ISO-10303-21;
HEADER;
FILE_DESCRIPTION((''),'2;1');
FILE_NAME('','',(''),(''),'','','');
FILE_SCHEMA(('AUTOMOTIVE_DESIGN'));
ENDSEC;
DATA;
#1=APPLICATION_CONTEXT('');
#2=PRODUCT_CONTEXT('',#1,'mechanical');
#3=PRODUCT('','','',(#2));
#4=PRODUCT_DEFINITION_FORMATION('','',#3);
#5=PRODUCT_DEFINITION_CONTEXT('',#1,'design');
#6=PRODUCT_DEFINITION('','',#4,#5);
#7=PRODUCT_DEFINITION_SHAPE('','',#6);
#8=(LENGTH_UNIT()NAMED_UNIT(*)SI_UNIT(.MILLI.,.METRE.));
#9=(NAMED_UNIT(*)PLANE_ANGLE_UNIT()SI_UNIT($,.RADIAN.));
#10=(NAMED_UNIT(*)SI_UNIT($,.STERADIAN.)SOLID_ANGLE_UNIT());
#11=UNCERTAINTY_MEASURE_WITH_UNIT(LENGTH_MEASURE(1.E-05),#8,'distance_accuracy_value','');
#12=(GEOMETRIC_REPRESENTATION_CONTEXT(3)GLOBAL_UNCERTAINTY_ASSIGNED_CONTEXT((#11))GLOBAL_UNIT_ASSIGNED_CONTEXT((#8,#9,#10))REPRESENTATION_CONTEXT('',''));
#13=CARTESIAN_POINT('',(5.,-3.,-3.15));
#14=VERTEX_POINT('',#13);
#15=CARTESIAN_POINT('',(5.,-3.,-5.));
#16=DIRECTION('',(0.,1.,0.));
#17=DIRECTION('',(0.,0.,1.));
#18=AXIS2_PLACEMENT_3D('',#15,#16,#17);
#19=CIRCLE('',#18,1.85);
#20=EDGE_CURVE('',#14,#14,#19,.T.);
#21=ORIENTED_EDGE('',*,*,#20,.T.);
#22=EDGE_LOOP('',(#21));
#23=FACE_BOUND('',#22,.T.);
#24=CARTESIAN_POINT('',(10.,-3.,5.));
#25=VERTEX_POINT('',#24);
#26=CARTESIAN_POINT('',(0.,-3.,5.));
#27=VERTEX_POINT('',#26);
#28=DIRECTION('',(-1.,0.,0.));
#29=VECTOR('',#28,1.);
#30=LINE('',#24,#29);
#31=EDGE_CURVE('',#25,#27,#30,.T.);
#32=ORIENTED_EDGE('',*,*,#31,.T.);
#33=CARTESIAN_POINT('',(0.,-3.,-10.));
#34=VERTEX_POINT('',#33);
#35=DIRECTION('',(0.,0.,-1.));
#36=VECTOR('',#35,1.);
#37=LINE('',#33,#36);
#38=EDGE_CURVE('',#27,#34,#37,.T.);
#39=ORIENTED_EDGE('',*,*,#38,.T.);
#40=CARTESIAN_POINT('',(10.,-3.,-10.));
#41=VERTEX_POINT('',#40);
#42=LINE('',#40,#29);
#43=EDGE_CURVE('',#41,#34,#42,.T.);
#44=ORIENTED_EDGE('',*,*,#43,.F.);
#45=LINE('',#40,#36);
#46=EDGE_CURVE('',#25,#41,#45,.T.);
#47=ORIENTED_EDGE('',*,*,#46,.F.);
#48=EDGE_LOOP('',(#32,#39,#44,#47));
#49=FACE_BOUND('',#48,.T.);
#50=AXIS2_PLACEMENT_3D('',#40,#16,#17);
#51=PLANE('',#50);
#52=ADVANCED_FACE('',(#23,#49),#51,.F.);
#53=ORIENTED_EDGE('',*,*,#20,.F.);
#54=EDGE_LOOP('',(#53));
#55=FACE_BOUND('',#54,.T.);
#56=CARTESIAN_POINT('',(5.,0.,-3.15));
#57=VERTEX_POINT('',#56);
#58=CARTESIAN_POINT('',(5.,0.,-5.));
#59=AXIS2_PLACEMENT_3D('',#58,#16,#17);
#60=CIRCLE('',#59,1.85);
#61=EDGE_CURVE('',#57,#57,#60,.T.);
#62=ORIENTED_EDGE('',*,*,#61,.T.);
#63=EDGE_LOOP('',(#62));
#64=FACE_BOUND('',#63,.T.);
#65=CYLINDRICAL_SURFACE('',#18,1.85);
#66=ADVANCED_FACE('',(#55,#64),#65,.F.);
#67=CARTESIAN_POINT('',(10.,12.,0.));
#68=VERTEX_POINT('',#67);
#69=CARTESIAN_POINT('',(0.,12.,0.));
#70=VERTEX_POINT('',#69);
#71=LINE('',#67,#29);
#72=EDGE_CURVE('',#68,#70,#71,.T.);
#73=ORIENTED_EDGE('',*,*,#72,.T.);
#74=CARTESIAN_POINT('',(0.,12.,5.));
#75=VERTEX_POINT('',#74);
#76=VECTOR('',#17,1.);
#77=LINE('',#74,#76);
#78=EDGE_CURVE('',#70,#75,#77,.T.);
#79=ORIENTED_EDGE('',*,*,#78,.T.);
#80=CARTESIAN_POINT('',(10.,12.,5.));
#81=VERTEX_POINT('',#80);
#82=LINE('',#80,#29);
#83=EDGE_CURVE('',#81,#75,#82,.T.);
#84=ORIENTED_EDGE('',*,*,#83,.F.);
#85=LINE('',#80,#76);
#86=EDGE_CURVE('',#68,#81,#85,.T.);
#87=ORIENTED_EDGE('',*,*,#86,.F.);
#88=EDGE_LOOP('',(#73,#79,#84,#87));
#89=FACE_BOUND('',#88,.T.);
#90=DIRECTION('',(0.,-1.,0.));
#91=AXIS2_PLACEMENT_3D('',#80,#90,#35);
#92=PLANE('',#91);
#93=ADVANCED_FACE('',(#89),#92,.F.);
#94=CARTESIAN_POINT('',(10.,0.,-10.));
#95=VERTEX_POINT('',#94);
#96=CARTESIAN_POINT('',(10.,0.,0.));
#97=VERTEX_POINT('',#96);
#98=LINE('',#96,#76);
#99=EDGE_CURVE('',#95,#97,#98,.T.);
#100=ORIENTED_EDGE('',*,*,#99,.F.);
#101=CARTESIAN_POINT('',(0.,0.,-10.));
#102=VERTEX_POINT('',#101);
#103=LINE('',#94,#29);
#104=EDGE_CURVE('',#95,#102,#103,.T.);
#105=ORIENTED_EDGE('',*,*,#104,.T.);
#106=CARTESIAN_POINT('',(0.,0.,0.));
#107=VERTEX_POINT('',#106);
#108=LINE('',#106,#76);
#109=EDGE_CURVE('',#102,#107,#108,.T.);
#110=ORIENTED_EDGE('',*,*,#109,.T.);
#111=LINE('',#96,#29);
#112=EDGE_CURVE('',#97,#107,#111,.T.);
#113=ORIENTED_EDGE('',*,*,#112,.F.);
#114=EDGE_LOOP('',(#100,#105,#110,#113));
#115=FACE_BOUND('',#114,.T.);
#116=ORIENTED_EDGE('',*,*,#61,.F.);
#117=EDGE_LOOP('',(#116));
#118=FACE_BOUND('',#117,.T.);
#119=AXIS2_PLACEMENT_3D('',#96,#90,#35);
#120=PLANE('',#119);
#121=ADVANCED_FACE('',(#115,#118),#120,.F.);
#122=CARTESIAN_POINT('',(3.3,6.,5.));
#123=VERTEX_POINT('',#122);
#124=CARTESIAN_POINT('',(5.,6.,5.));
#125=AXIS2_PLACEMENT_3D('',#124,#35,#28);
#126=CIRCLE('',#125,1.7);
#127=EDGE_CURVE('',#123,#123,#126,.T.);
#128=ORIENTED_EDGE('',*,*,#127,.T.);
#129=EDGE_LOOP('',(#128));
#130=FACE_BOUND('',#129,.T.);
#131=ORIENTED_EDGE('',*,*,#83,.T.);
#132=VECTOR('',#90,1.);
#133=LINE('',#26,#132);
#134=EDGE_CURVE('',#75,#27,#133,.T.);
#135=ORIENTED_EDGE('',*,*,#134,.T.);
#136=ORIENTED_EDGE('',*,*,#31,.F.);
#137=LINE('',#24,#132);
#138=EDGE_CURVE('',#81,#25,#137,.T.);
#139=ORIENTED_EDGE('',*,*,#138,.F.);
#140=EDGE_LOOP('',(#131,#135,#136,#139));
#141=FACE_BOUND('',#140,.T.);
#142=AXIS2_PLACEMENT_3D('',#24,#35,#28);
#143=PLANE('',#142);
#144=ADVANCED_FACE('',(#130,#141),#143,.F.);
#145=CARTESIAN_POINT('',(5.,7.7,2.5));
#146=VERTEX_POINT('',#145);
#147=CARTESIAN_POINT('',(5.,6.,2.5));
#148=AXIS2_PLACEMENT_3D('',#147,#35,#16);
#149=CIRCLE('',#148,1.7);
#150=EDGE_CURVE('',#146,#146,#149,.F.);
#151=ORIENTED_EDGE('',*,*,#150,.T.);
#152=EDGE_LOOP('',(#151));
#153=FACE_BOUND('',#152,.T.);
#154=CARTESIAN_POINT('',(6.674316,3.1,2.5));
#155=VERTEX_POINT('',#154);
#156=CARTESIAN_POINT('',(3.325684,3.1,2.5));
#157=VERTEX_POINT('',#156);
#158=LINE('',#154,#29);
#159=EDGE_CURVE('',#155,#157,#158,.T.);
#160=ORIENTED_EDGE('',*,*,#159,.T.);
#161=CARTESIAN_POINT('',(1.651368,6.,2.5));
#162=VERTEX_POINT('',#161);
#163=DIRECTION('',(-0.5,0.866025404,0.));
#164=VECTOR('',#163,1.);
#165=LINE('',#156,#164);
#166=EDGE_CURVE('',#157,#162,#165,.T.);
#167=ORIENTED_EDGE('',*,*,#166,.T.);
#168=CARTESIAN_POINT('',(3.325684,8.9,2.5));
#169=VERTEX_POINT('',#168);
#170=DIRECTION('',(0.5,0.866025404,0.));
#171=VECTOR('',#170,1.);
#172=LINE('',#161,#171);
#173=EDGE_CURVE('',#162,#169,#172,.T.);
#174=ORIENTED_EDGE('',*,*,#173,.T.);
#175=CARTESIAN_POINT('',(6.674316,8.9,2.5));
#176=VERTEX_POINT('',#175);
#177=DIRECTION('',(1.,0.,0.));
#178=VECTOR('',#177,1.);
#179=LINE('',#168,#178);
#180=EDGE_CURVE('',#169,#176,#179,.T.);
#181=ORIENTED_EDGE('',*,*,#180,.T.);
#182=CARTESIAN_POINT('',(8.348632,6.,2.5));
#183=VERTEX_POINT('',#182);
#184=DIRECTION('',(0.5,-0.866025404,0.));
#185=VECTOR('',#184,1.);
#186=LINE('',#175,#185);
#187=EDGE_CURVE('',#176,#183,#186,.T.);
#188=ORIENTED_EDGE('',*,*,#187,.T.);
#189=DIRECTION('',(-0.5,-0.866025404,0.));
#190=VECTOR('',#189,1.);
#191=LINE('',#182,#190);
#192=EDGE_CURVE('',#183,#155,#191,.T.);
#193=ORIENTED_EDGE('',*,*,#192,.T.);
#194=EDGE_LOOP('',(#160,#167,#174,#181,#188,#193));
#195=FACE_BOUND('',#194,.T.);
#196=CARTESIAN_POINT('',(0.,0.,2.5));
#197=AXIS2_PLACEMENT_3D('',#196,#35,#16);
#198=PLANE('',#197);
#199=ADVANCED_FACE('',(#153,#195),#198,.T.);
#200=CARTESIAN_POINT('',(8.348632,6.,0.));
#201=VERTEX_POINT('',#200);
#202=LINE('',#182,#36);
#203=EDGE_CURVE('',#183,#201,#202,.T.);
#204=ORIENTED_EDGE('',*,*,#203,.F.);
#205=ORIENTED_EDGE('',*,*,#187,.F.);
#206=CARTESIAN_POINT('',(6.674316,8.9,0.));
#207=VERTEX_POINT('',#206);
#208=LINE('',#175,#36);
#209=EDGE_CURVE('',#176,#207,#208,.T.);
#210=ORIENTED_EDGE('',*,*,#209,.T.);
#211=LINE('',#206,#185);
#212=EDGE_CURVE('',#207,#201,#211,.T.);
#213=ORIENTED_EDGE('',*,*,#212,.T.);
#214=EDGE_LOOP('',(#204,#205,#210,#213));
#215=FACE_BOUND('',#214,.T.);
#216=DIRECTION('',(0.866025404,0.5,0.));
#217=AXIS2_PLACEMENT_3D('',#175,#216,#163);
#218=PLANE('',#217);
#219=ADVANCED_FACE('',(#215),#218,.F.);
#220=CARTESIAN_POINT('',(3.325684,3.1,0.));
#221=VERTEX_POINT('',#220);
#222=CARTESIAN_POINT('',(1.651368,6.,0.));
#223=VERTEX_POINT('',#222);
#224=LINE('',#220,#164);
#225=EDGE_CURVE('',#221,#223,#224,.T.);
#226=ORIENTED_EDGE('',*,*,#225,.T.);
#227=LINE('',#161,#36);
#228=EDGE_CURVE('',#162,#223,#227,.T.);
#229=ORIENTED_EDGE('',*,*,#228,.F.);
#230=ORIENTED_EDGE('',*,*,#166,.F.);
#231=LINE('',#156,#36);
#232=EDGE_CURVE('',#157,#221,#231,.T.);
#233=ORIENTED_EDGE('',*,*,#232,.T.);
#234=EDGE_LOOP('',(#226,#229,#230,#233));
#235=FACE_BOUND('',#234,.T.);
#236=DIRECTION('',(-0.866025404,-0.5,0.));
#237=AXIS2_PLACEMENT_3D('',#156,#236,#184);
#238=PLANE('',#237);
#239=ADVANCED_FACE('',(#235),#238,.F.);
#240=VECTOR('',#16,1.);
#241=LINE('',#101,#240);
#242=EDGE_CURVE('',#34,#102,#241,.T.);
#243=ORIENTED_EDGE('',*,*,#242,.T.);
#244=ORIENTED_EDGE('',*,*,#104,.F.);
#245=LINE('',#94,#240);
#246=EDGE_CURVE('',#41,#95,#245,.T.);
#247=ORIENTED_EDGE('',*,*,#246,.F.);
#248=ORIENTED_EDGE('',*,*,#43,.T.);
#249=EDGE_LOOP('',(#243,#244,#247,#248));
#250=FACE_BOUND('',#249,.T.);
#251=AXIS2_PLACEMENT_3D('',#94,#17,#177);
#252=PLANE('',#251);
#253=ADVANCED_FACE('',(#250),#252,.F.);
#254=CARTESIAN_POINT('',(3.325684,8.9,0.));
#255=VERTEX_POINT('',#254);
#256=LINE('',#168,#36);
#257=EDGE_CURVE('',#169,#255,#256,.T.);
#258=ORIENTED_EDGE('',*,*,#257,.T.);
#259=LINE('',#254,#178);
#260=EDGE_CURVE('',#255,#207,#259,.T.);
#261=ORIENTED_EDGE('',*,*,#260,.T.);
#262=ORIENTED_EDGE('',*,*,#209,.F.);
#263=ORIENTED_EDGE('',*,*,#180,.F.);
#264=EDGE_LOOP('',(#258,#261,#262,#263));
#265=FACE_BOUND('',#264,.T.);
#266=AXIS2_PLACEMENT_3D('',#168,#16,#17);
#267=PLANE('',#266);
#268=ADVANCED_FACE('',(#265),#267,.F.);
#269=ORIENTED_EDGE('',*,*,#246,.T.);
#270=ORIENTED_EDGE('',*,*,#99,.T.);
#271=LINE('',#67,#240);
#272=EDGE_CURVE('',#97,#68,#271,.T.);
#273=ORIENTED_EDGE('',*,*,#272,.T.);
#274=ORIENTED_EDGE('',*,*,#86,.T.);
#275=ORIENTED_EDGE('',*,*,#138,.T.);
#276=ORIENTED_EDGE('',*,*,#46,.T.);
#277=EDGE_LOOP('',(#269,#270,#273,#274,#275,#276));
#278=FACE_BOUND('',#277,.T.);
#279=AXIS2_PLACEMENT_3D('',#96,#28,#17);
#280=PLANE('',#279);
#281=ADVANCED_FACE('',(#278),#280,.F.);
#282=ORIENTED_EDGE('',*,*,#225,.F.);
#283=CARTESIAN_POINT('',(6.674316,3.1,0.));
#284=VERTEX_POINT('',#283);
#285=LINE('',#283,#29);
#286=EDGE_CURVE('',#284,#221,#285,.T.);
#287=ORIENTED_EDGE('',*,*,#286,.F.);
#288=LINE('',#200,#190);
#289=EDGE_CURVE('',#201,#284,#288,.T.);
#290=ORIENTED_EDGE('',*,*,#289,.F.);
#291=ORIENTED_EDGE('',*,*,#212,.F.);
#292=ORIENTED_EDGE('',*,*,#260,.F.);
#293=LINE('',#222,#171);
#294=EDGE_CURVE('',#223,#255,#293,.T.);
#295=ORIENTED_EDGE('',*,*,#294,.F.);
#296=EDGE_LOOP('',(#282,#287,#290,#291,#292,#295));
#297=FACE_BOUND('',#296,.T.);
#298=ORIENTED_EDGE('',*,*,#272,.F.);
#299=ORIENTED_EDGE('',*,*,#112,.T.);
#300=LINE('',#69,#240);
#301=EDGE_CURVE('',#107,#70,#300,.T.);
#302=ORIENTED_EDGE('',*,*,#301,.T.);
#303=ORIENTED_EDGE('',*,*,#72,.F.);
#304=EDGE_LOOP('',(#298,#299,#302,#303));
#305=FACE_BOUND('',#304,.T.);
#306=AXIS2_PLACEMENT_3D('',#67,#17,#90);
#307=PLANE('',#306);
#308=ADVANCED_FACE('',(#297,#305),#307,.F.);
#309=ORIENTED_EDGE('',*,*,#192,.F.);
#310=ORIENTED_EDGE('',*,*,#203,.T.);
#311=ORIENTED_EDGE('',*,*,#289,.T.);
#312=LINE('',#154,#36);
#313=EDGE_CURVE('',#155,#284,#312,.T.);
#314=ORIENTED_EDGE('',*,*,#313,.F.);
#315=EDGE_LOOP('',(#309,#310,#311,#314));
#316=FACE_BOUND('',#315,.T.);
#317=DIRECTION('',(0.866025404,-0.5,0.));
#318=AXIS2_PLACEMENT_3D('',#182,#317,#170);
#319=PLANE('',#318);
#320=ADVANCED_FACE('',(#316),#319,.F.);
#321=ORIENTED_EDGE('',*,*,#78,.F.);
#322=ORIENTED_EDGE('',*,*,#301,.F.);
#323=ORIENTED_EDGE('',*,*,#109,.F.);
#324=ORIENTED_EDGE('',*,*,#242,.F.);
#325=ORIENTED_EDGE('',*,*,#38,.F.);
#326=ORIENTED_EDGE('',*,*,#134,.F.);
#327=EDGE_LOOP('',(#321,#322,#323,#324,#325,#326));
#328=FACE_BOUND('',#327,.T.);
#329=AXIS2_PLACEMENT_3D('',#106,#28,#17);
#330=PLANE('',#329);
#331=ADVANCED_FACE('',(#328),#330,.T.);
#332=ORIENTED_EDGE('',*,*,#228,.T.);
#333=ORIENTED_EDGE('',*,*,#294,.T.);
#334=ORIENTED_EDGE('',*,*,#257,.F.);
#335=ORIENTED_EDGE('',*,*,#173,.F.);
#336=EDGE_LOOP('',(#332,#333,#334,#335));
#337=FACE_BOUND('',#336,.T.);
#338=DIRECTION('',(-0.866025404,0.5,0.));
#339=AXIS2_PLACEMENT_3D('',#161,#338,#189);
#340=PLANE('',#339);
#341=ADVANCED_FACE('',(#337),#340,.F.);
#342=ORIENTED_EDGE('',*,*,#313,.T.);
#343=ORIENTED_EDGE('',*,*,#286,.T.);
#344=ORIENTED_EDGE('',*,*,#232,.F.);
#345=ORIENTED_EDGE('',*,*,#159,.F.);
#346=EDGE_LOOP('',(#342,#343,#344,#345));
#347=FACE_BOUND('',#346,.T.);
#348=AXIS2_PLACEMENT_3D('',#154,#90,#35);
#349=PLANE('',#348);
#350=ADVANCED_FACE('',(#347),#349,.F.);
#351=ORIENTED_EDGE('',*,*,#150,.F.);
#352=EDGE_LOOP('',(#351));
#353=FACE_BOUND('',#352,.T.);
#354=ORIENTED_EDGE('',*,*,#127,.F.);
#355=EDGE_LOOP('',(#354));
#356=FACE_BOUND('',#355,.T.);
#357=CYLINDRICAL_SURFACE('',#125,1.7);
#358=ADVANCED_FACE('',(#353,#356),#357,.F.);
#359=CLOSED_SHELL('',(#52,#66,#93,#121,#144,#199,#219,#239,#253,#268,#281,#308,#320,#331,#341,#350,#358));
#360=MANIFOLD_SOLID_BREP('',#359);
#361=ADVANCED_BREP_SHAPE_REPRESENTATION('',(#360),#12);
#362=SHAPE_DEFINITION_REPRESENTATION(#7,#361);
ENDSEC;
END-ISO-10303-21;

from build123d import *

# Parameters (mm, degrees)
BOSS_EXTRUDE1_DEPTH = 10
SKETCH2_R           = 1.85
CUT_EXTRUDE1_DEPTH  = 19.547236991
SKETCH4_R           = 1.7
CUT_EXTRUDE2_DEPTH  = 19.547236991
CUT_EXTRUDE3_DEPTH  = 2.5


with BuildPart() as part:
    # Sketch1 → Boss-Extrude1 (new body)
    with BuildSketch(Plane(origin=(0, 0, 0), x_dir=(0, 0, -1), z_dir=(1, 0, 0))):
        Polygon((-5, 12), (0, 12), (0, 0), (10, 0), (10, -3), (-5, -3), align=None)
    extrude(amount=BOSS_EXTRUDE1_DEPTH)

    # Sketch2 → Cut-Extrude1 (cut, through all)
    with BuildSketch(Plane(origin=(0, 0, 0), x_dir=(1, 0, 0), z_dir=(0, 1, 0))):
        with Locations(Location((5, 5, 0), (0, 0, 270))):
            Circle(SKETCH2_R)
    extrude(amount=-CUT_EXTRUDE1_DEPTH, mode=Mode.SUBTRACT)

    # Sketch4 → Cut-Extrude2 (cut, through all)
    with BuildSketch(Plane(origin=(0, 0, 0), x_dir=(-1, 0, 0), z_dir=(0, 0, -1))):
        with Locations((-5, 6)):
            Circle(SKETCH4_R)
    extrude(amount=-CUT_EXTRUDE2_DEPTH, mode=Mode.SUBTRACT)

    # Sketch5 → Cut-Extrude3 (cut)
    with BuildSketch(Plane(origin=(0, 0, 0), x_dir=(-1, 0, 0), z_dir=(0, 0, -1))):
        Polygon((-3.325684219, 3.1), (-1.651368439, 6), (-3.325684219, 8.9), (-6.674315781, 8.9), (-8.348631561, 6), (-6.674315781, 3.1), align=None)
    extrude(amount=-CUT_EXTRUDE3_DEPTH, mode=Mode.SUBTRACT)


solid = part.part
